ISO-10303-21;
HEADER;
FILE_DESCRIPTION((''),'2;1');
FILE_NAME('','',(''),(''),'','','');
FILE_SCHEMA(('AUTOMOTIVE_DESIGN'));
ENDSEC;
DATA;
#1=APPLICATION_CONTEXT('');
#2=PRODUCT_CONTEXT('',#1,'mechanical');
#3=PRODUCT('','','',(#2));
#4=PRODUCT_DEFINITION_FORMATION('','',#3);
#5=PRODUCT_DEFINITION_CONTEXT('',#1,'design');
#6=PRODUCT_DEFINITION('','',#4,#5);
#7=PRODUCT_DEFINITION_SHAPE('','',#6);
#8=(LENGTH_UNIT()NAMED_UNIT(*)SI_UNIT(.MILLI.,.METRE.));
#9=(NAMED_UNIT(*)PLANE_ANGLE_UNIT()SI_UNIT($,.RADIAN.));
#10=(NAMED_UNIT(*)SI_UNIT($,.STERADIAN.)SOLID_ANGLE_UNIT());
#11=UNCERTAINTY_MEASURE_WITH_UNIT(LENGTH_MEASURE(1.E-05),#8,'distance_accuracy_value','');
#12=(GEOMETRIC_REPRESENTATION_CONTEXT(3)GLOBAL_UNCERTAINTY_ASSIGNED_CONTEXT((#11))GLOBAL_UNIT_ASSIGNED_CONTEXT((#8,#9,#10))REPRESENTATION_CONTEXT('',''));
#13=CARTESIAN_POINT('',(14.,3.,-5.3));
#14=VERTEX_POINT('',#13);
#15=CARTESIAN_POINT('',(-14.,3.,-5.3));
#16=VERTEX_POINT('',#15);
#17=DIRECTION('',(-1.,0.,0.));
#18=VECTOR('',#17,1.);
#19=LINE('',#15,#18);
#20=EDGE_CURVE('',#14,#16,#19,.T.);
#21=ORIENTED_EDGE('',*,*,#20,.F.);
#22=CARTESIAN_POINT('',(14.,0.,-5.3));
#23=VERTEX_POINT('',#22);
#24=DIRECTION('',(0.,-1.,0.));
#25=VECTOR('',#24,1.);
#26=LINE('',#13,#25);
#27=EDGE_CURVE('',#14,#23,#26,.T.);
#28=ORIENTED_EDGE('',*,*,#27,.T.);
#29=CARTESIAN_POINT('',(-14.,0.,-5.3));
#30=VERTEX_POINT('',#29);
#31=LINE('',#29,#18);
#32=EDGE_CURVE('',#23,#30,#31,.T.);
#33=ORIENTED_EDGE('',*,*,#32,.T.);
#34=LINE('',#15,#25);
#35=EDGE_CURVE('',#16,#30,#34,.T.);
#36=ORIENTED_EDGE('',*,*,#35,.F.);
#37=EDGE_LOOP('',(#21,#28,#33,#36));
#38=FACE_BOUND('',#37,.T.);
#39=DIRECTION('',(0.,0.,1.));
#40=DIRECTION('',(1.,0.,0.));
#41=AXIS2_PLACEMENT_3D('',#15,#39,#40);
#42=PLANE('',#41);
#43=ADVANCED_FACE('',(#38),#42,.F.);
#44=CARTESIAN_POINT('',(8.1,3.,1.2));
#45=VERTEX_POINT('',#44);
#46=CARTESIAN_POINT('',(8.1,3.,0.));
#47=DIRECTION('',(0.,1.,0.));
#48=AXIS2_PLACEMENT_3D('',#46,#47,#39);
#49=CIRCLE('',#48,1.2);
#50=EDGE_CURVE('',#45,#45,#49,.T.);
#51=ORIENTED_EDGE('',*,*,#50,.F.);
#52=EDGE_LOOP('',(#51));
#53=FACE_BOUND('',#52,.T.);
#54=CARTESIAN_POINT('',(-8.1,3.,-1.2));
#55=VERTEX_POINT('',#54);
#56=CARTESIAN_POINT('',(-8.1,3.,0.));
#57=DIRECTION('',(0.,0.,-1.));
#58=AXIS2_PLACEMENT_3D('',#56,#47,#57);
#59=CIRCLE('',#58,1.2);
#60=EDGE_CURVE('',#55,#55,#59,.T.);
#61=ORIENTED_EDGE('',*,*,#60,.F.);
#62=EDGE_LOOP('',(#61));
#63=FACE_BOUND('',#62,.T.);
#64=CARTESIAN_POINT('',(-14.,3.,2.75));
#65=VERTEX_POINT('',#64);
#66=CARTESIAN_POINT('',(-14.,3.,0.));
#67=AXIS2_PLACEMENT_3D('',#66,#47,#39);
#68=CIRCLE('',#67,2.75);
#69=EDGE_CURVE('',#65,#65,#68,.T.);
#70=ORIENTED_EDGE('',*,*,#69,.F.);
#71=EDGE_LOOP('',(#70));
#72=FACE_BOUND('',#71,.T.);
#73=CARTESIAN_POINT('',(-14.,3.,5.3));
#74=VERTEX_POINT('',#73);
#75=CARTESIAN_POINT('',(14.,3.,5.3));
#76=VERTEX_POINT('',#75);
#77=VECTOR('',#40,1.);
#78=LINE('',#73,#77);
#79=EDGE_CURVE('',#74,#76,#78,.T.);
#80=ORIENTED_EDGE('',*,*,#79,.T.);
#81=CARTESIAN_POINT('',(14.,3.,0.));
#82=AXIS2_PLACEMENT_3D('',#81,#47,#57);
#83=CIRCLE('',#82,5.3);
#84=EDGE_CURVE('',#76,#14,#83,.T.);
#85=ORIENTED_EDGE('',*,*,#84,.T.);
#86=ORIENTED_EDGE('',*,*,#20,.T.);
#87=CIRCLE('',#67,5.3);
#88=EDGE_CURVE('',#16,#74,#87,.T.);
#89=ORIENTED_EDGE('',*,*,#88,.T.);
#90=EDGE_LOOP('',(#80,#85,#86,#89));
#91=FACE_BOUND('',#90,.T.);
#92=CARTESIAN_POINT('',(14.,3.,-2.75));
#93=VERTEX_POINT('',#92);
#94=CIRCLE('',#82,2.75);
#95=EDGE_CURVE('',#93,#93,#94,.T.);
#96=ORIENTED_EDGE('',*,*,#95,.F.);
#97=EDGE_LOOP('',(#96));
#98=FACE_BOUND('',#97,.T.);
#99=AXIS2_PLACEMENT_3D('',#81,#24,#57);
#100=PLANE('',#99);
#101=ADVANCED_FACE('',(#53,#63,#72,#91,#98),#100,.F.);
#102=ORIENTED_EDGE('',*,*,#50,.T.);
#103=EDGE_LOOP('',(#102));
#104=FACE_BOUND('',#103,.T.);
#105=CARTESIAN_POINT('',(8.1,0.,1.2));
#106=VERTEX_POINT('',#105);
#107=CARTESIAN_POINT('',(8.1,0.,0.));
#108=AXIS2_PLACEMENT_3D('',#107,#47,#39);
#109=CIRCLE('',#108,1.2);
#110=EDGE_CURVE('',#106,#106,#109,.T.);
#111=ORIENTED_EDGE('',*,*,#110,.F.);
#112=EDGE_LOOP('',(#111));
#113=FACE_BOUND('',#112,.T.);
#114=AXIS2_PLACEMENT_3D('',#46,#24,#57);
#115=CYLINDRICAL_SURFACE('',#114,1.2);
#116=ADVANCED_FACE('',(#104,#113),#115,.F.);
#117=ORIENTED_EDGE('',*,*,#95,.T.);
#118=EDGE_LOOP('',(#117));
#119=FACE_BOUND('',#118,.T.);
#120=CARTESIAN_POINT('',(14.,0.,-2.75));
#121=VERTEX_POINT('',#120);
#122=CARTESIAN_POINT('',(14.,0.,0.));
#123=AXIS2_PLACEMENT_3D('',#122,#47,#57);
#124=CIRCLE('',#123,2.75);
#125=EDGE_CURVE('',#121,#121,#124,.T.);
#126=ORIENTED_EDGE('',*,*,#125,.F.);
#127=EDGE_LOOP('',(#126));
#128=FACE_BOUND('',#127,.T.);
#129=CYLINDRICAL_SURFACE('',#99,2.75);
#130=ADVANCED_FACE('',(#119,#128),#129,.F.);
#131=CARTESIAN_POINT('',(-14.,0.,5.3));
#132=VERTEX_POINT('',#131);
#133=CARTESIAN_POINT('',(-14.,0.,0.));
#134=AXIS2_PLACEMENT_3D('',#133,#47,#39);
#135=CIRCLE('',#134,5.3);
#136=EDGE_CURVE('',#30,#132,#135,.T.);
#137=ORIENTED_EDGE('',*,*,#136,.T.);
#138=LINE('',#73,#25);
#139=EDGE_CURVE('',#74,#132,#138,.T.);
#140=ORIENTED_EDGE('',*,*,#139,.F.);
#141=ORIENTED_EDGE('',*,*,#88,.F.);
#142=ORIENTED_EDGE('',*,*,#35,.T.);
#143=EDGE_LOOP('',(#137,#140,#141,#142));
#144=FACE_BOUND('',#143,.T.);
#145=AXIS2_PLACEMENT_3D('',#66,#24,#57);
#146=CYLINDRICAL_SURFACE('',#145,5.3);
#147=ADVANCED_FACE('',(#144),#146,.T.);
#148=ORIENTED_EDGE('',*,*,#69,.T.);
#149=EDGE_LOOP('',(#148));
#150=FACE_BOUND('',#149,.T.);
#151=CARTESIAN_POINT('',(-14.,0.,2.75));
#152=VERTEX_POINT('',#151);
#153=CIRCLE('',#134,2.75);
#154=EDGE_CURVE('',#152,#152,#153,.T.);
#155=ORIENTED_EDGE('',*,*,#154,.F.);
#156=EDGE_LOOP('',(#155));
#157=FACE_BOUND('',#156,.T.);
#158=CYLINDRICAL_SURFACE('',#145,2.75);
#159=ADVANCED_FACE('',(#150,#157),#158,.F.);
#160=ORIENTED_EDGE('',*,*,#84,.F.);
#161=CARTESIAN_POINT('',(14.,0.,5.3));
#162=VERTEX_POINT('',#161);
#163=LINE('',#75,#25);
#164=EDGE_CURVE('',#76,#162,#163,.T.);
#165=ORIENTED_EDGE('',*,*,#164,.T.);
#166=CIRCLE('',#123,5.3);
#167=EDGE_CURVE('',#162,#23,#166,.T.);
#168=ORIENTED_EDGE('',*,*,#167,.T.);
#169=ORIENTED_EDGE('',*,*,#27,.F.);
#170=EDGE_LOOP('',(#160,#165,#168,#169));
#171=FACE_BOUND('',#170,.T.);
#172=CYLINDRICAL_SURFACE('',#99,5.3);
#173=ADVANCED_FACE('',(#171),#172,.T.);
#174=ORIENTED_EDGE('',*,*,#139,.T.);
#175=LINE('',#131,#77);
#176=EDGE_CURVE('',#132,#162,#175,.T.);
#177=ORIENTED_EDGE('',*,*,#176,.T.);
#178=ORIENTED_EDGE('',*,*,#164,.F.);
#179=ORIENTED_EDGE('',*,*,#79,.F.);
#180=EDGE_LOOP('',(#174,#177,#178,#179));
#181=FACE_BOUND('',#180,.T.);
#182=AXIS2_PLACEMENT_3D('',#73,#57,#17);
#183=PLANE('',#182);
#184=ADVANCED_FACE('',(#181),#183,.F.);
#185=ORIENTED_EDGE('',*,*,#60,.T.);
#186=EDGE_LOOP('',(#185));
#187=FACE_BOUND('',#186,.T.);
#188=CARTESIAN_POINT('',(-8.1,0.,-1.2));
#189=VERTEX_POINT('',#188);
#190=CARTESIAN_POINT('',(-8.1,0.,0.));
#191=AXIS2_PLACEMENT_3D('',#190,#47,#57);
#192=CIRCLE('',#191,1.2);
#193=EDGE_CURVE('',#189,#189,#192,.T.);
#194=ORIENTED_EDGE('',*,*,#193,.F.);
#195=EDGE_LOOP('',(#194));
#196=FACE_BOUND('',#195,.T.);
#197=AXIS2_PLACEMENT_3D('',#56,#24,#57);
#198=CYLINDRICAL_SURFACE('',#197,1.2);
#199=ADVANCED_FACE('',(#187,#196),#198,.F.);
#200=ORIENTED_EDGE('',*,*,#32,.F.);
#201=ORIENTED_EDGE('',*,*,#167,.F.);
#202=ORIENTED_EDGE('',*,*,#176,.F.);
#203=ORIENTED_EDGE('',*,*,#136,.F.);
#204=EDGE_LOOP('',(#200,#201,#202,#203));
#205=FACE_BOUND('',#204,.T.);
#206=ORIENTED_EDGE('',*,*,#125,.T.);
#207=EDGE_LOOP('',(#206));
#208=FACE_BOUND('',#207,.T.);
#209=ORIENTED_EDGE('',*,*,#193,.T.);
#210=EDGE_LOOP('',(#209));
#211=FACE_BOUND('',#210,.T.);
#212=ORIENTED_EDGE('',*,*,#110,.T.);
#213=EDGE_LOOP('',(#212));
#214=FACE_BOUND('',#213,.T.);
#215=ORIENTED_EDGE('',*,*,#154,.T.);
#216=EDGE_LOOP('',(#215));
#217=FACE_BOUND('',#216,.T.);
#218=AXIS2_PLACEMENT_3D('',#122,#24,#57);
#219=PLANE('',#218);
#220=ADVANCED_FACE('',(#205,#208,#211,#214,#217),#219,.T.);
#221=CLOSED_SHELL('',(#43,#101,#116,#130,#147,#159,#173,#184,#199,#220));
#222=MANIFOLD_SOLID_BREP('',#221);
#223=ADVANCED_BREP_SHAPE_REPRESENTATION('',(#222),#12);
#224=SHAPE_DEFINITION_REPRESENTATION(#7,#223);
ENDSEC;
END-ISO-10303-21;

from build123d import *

# Parameters (mm, degrees)
SKETCH_1_R      = 2.75
SKETCH_1_R_2    = 1.2
EXTRUDE_1_DEPTH = 3


with BuildPart() as part:
    # 草图1 → 凸台-拉伸1 (new body)
    with BuildSketch(Plane(origin=(0, 0, 0), x_dir=(1, 0, 0), z_dir=(0, 1, 0))):
        with BuildLine():
            Line((-14, 5.3), (14, 5.3))
            ThreePointArc((14, 5.3), (19.3, 0), (14, -5.3))
            Line((14, -5.3), (-14, -5.3))
            ThreePointArc((-14, -5.3), (-19.3, 0), (-14, 5.3))
        make_face()
        with Locations(Location((-14, 0, 0), (0, 0, 270))):
            Circle(SKETCH_1_R, mode=Mode.SUBTRACT)
        with Locations(Location((14, 0, 0), (0, 0, 90))):
            Circle(SKETCH_1_R, mode=Mode.SUBTRACT)
        with Locations(Location((8.1, 0, 0), (0, 0, 270))):
            Circle(SKETCH_1_R_2, mode=Mode.SUBTRACT)
        with Locations(Location((-8.1, 0, 0), (0, 0, 90))):
            Circle(SKETCH_1_R_2, mode=Mode.SUBTRACT)
    extrude(amount=EXTRUDE_1_DEPTH)


solid = part.part
